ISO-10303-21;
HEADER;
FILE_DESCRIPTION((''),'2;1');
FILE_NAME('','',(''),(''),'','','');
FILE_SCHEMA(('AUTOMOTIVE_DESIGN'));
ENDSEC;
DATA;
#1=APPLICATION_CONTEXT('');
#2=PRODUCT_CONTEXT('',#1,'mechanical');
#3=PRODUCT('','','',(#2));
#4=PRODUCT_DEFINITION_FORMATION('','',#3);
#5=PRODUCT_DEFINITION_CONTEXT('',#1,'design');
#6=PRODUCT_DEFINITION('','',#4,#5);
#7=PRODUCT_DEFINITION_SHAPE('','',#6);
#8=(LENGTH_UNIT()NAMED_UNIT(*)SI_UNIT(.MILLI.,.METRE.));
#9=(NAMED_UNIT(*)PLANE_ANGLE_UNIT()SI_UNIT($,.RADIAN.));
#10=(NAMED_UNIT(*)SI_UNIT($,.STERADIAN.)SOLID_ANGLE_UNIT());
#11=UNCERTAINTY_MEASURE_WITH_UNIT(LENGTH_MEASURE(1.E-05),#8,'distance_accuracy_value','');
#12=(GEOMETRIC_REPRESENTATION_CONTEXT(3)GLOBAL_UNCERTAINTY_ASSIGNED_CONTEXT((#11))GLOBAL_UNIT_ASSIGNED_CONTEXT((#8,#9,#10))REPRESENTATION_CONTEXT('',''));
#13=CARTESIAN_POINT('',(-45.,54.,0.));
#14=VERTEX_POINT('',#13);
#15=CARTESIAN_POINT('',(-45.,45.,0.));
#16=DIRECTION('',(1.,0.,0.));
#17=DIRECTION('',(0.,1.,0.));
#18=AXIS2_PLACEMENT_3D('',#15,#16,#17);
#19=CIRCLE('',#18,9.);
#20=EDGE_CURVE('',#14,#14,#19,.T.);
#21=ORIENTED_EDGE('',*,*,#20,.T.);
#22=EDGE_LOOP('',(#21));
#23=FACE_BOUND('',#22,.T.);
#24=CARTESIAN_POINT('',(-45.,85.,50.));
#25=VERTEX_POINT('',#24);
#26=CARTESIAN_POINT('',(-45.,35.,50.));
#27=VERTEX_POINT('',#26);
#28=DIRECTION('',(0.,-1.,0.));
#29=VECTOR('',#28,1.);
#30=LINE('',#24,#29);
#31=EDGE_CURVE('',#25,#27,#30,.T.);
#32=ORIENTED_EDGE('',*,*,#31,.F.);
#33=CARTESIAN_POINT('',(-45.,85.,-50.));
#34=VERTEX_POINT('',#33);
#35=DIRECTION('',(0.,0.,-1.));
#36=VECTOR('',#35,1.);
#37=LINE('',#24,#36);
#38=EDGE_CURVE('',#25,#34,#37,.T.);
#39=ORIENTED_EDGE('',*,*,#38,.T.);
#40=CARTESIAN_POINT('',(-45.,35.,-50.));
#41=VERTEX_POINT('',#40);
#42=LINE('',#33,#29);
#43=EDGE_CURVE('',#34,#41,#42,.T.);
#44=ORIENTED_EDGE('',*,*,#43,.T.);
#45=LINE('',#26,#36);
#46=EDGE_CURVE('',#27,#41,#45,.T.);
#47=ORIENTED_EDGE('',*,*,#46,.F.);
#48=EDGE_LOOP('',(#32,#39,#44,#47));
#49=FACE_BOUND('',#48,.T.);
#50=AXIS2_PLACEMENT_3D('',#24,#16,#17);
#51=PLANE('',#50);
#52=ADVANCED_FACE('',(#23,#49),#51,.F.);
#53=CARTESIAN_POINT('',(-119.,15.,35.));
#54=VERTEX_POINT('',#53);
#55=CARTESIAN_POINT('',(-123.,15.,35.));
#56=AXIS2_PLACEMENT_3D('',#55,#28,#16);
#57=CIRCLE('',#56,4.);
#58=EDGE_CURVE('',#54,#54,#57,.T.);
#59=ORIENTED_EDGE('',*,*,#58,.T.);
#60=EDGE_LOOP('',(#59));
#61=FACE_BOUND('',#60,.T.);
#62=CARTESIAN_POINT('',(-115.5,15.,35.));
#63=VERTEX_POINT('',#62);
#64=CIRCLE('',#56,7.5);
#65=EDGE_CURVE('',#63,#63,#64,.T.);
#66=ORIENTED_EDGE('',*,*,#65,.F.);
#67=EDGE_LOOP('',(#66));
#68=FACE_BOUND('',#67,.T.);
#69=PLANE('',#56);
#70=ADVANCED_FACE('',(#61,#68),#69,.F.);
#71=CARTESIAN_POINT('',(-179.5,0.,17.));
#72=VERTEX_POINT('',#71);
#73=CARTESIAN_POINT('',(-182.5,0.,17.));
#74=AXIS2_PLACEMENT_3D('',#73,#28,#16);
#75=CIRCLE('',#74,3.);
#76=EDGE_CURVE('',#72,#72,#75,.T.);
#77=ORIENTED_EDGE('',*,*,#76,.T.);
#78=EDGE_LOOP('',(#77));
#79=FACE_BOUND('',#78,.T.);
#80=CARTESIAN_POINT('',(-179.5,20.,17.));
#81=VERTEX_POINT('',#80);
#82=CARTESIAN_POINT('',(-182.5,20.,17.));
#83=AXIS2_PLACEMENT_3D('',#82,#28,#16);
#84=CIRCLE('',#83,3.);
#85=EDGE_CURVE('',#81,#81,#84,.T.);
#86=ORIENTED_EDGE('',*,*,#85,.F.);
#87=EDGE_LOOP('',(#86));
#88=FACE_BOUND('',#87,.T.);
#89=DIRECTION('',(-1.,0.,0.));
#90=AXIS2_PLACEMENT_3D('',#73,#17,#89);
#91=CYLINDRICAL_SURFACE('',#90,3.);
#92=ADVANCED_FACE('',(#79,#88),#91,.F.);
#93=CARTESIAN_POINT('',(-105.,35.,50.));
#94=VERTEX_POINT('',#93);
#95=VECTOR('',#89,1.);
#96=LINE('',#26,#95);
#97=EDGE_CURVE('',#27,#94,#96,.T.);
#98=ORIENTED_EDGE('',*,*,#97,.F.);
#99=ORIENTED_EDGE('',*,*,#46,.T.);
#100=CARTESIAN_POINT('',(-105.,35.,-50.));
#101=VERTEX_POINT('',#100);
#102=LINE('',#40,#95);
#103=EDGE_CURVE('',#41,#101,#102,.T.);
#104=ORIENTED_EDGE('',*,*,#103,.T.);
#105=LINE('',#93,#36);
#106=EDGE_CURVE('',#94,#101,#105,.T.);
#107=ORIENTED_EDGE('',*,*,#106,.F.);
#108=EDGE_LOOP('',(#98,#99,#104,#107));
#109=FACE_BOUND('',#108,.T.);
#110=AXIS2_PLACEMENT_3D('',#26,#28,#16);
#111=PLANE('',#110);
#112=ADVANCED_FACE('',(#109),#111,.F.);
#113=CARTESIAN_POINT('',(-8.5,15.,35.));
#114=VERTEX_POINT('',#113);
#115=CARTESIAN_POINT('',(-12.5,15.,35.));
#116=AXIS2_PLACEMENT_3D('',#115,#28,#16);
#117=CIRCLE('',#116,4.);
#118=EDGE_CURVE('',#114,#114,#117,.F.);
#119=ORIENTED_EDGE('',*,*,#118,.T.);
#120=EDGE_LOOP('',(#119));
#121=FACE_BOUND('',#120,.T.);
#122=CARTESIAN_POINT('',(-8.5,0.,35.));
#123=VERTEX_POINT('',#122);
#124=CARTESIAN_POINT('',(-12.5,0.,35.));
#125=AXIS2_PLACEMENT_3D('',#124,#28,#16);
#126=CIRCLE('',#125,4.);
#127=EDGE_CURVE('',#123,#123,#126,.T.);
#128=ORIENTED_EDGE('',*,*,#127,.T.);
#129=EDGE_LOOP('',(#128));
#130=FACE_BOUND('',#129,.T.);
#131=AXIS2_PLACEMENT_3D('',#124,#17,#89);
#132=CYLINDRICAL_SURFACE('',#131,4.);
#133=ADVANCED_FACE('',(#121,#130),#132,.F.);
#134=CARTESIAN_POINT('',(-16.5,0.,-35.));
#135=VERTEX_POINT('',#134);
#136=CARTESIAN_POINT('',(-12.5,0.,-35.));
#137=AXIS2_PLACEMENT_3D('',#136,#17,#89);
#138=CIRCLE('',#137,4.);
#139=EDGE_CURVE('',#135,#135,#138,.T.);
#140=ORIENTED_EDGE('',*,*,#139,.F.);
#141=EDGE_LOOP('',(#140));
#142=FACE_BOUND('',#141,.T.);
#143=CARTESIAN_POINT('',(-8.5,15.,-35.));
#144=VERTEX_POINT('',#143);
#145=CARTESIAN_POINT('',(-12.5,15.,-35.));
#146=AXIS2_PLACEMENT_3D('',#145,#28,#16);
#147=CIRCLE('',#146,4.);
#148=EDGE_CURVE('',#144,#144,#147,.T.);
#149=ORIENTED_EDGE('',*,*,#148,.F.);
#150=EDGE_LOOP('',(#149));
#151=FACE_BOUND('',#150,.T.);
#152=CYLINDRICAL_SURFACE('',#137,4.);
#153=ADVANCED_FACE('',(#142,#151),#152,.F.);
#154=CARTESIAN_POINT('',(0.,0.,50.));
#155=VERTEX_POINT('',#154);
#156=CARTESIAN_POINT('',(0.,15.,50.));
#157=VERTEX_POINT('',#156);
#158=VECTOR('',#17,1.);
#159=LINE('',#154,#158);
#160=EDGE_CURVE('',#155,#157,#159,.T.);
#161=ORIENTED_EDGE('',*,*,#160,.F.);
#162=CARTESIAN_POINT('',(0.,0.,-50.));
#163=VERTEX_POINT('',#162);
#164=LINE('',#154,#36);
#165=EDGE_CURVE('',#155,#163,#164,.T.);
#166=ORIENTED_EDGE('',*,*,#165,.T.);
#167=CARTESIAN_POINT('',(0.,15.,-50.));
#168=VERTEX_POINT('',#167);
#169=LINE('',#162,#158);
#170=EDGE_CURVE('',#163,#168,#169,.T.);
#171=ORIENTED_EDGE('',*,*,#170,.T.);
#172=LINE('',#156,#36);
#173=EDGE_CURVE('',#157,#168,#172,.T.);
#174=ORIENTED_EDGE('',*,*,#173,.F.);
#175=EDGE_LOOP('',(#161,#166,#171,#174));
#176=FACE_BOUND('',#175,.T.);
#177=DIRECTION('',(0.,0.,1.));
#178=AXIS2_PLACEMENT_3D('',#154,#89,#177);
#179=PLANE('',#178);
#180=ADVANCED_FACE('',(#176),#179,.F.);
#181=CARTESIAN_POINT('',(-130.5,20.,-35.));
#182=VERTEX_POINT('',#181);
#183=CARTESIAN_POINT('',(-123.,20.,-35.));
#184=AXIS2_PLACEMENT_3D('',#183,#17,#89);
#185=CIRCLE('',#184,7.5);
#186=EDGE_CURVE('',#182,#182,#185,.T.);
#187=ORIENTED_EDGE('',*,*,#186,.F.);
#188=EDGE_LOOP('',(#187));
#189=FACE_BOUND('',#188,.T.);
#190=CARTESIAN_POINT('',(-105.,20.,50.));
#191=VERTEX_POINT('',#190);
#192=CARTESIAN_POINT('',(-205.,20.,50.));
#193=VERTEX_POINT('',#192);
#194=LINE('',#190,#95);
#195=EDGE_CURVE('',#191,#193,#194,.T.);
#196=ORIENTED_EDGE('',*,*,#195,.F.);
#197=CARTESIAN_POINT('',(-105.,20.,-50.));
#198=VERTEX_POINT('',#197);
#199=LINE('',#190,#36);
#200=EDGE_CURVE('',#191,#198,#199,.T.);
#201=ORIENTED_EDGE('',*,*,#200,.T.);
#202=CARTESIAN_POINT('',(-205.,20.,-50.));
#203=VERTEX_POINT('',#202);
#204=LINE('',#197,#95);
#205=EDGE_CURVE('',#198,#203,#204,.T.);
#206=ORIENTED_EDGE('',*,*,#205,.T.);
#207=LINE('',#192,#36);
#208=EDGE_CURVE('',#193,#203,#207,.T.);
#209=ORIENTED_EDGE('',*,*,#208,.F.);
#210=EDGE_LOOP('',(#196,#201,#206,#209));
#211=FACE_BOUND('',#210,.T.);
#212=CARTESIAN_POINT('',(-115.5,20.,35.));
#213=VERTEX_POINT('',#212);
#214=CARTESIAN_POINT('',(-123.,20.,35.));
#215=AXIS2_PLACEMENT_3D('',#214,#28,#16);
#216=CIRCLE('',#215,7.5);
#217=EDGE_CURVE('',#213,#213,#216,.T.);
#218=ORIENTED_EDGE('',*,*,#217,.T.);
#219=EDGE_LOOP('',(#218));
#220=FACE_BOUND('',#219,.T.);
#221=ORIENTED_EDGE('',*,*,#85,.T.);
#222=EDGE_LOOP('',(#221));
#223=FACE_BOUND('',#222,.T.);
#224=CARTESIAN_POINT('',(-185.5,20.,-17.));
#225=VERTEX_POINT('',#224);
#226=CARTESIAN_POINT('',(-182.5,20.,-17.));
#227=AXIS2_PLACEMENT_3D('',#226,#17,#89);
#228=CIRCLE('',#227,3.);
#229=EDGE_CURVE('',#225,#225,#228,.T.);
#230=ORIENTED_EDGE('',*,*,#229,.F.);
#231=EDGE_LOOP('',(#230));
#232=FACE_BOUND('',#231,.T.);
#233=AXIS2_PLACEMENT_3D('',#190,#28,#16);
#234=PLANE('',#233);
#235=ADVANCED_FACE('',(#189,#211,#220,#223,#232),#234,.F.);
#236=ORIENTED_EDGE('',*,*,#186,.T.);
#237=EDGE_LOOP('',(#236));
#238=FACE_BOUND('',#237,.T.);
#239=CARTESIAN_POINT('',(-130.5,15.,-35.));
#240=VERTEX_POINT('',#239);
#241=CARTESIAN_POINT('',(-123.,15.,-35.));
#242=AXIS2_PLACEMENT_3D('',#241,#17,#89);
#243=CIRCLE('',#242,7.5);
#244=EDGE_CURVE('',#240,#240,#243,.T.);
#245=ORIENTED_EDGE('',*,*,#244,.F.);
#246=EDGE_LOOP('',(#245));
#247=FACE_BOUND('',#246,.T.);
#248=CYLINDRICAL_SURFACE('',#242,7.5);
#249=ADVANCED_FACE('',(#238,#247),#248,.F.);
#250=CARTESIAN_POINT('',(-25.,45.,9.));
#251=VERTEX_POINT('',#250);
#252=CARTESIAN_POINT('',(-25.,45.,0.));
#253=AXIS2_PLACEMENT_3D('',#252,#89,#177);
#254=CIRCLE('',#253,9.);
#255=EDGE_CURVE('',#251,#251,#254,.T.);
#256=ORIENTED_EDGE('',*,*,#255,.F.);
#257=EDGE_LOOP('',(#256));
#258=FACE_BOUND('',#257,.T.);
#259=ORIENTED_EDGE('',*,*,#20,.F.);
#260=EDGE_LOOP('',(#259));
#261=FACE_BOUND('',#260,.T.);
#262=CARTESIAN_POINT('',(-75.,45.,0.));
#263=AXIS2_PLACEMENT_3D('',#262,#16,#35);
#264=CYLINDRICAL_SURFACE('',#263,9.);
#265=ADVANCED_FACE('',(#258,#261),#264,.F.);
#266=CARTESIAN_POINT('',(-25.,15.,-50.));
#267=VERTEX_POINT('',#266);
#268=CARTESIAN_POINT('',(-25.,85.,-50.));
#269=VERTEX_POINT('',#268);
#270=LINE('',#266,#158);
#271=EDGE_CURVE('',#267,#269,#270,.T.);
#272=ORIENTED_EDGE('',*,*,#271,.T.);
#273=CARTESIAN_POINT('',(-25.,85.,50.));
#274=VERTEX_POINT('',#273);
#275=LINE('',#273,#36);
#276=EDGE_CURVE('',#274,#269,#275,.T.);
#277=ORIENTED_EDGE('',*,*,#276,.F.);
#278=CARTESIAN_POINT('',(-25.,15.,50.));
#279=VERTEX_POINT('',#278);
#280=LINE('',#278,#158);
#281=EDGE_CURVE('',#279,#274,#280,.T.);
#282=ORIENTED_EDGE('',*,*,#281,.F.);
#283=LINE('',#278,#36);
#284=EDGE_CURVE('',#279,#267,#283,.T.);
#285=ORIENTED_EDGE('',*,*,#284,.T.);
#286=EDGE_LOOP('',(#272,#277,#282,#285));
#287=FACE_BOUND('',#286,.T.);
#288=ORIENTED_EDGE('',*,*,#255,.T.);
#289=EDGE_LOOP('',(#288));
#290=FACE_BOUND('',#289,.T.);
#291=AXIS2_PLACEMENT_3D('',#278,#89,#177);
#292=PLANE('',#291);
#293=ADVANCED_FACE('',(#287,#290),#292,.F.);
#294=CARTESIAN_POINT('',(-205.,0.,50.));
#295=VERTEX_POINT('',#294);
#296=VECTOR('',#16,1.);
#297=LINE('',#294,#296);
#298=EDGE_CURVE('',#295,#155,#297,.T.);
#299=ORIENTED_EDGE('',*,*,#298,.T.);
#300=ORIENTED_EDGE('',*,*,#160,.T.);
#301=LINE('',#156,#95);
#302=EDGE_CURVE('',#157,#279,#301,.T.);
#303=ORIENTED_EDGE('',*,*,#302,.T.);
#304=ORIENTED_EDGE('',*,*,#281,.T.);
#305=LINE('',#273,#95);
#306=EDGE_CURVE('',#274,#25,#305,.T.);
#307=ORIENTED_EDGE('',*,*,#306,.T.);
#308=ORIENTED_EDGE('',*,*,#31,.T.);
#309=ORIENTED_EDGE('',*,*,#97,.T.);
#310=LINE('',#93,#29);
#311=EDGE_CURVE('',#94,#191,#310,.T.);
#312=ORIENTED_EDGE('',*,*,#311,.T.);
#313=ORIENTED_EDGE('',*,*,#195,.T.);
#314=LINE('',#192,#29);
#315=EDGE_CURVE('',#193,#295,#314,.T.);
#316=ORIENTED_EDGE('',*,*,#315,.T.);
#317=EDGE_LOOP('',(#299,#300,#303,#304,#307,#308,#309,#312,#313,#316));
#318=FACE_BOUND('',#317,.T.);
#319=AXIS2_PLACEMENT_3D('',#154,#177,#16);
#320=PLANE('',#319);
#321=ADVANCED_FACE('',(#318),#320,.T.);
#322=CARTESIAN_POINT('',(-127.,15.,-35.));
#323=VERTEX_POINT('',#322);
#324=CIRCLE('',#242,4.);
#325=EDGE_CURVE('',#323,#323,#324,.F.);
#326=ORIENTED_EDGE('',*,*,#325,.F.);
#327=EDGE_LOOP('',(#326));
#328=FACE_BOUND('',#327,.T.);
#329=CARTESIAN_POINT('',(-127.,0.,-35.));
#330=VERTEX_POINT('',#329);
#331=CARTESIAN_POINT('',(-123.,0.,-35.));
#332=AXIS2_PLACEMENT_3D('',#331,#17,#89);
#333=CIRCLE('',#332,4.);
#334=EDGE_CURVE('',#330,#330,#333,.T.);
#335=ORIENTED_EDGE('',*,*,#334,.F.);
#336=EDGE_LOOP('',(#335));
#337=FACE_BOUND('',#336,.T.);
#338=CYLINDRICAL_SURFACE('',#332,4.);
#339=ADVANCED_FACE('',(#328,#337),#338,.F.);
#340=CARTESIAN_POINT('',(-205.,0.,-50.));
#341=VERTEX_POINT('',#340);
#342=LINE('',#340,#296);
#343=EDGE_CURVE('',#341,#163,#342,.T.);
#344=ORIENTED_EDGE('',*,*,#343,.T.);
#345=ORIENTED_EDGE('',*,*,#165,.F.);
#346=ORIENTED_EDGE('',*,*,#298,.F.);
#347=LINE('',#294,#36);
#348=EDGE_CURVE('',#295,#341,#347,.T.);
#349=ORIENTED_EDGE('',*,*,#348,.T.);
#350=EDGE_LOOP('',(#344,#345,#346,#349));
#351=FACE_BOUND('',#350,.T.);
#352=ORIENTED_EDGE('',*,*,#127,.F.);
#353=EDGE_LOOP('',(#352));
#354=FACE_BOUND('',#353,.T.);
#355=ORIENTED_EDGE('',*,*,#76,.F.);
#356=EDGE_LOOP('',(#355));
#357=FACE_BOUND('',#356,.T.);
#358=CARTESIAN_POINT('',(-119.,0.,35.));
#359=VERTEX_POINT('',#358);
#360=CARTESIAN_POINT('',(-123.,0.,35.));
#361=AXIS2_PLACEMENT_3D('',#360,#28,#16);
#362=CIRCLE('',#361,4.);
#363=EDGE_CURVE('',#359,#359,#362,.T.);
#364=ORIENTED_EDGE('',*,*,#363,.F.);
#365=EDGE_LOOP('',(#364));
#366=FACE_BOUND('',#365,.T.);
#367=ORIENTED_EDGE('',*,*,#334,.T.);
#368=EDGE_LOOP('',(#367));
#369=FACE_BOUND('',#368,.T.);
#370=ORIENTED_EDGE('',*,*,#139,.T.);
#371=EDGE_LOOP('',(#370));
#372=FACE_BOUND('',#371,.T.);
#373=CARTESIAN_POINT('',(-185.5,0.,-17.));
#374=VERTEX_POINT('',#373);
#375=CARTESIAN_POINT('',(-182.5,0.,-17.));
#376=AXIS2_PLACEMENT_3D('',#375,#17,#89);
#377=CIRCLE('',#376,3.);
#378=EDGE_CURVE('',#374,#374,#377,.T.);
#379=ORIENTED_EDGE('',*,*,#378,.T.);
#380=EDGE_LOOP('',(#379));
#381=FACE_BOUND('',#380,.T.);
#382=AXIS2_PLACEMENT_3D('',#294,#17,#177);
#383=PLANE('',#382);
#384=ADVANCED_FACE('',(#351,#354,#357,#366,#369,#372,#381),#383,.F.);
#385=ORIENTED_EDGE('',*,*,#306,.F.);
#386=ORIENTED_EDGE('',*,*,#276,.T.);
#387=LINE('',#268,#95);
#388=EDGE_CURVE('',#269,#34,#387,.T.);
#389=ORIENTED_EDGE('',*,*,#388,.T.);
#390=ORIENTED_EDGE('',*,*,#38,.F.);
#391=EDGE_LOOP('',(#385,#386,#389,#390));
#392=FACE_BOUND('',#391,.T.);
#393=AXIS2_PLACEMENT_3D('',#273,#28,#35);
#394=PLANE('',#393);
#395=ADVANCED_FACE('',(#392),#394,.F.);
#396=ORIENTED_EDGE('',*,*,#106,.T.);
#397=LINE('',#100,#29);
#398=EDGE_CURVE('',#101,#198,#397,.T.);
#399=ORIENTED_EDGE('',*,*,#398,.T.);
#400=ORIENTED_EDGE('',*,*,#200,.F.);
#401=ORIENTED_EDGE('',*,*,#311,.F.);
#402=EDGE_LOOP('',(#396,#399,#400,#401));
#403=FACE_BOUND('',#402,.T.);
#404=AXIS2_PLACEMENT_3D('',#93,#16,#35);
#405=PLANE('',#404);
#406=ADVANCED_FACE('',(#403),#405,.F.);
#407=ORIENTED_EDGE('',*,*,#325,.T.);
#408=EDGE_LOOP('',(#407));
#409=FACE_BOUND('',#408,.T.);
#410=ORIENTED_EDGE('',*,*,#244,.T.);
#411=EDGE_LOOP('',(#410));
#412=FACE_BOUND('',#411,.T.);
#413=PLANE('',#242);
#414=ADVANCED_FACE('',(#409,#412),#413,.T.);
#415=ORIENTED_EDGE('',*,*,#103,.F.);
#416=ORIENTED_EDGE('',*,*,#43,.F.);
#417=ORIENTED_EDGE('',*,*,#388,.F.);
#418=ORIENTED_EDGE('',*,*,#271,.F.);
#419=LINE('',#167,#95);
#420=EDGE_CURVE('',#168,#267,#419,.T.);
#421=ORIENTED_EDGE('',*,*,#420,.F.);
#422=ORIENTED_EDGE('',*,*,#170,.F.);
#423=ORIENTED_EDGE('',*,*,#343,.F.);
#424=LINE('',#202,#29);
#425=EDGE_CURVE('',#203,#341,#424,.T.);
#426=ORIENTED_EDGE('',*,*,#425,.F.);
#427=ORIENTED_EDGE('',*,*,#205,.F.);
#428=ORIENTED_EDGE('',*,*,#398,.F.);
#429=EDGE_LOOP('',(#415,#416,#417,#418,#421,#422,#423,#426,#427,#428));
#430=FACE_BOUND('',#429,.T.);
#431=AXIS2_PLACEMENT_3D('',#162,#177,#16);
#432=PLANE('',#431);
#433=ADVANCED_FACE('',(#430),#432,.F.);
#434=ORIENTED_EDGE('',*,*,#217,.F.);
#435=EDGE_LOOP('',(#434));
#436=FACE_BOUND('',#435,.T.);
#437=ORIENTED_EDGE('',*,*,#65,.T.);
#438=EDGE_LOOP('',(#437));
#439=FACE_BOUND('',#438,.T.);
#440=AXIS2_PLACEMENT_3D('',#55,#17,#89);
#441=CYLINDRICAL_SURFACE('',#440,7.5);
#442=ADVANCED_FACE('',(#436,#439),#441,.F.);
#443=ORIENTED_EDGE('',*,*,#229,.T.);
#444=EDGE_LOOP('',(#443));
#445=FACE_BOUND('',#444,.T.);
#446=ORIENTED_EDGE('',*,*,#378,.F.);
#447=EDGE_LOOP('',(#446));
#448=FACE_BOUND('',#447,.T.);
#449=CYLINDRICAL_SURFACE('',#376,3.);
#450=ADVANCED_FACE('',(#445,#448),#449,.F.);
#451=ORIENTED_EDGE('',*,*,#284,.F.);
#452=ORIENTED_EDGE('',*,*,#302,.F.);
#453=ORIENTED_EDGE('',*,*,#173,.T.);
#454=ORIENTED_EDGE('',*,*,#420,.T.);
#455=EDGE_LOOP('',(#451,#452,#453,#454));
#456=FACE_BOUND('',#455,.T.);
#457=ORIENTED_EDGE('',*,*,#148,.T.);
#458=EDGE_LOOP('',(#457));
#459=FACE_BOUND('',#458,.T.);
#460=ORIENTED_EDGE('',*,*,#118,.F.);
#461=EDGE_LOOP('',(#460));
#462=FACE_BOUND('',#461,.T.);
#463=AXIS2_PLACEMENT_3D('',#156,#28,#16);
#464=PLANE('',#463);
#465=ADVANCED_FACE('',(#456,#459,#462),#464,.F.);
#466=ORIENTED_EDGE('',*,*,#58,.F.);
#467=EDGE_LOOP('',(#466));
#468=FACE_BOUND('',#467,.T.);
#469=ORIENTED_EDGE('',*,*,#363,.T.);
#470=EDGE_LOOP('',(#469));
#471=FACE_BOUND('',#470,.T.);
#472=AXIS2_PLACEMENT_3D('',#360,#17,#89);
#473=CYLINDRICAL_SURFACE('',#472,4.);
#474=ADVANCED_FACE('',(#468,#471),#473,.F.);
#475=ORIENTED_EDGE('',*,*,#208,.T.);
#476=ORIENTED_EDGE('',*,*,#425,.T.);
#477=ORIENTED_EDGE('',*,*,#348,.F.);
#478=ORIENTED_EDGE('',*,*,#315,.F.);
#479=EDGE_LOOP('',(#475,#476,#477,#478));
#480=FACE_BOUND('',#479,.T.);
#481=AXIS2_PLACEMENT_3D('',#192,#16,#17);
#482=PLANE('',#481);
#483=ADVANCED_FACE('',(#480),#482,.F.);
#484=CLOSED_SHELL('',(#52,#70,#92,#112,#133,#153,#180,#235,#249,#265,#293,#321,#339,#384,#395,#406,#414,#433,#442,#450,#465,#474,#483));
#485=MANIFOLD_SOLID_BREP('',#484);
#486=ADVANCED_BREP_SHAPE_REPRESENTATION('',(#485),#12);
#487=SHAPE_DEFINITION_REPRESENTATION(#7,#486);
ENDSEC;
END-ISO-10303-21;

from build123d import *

# Parameters (mm, degrees)
BOSS_EXTRUDE1_DEPTH = 50
SKETCH3_R           = 9
CUT_EXTRUDE1_DEPTH  = 50
SKETCH4_W           = 60
SKETCH4_H           = 42
BOSS_EXTRUDE3_DEPTH = 15
SKETCH6_R           = 3
SKETCH6_R_2         = 4
CUT_EXTRUDE3_DEPTH  = 21
SKETCH6_4_R         = 7.5
CUT_EXTRUDE4_DEPTH  = 5


with BuildPart() as part:
    # Sketch2 → Boss-Extrude1 (new body, symmetric)
    with BuildSketch(Plane.XY):
        Polygon((0, 0), (0, 15), (-25, 15), (-25, 85), (-45, 85), (-45, 35), (-105, 35), (-105, 20), (-205, 20), (-205, 0), align=None)
    extrude(amount=BOSS_EXTRUDE1_DEPTH, both=True)

    # Sketch3 → Cut-Extrude1 (cut, symmetric)
    with BuildSketch(Plane(origin=(-25, 0, 0), x_dir=(0, 0, -1), z_dir=(1, 0, 0))):
        with Locations((0, 45)):
            Circle(SKETCH3_R)
    extrude(amount=CUT_EXTRUDE1_DEPTH, both=True, mode=Mode.SUBTRACT)

    # Sketch4 → Boss-Extrude3 (add)
    with BuildSketch(Plane(origin=(0, 35, 0), x_dir=(1, 0, 0), z_dir=(0, 1, 0))):
        with Locations((-75, 0)):
            Rectangle(SKETCH4_W, SKETCH4_H)
    extrude(amount=-BOSS_EXTRUDE3_DEPTH)

    # Sketch6 → Cut-Extrude3 (cut, through all)
    with BuildSketch(Plane(origin=(0, 20, 0), x_dir=(1, 0, 0), z_dir=(0, 1, 0))):
        with Locations((-182.5, 17)):
            Circle(SKETCH6_R)
        with Locations((-123, 35)):
            Circle(SKETCH6_R_2)
        with Locations((-12.5, 35)):
            Circle(SKETCH6_R_2)
        with Locations((-12.5, -35)):
            Circle(SKETCH6_R_2)
        with Locations((-123, -35)):
            Circle(SKETCH6_R_2)
        with Locations((-182.5, -17)):
            Circle(SKETCH6_R)
    extrude(amount=-CUT_EXTRUDE3_DEPTH, mode=Mode.SUBTRACT)

    # Sketch6<4> → Cut-Extrude4 (cut)
    with BuildSketch(Plane(origin=(0, 20, 0), x_dir=(1, 0, 0), z_dir=(0, 1, 0))):
        with Locations((-123, 35)):
            Circle(SKETCH6_4_R)
        with Locations((-12.5, 35)):
            Circle(SKETCH6_4_R)
        with Locations((-12.5, -35)):
            Circle(SKETCH6_4_R)
        with Locations((-123, -35)):
            Circle(SKETCH6_4_R)
    extrude(amount=-CUT_EXTRUDE4_DEPTH, mode=Mode.SUBTRACT)


solid = part.part
